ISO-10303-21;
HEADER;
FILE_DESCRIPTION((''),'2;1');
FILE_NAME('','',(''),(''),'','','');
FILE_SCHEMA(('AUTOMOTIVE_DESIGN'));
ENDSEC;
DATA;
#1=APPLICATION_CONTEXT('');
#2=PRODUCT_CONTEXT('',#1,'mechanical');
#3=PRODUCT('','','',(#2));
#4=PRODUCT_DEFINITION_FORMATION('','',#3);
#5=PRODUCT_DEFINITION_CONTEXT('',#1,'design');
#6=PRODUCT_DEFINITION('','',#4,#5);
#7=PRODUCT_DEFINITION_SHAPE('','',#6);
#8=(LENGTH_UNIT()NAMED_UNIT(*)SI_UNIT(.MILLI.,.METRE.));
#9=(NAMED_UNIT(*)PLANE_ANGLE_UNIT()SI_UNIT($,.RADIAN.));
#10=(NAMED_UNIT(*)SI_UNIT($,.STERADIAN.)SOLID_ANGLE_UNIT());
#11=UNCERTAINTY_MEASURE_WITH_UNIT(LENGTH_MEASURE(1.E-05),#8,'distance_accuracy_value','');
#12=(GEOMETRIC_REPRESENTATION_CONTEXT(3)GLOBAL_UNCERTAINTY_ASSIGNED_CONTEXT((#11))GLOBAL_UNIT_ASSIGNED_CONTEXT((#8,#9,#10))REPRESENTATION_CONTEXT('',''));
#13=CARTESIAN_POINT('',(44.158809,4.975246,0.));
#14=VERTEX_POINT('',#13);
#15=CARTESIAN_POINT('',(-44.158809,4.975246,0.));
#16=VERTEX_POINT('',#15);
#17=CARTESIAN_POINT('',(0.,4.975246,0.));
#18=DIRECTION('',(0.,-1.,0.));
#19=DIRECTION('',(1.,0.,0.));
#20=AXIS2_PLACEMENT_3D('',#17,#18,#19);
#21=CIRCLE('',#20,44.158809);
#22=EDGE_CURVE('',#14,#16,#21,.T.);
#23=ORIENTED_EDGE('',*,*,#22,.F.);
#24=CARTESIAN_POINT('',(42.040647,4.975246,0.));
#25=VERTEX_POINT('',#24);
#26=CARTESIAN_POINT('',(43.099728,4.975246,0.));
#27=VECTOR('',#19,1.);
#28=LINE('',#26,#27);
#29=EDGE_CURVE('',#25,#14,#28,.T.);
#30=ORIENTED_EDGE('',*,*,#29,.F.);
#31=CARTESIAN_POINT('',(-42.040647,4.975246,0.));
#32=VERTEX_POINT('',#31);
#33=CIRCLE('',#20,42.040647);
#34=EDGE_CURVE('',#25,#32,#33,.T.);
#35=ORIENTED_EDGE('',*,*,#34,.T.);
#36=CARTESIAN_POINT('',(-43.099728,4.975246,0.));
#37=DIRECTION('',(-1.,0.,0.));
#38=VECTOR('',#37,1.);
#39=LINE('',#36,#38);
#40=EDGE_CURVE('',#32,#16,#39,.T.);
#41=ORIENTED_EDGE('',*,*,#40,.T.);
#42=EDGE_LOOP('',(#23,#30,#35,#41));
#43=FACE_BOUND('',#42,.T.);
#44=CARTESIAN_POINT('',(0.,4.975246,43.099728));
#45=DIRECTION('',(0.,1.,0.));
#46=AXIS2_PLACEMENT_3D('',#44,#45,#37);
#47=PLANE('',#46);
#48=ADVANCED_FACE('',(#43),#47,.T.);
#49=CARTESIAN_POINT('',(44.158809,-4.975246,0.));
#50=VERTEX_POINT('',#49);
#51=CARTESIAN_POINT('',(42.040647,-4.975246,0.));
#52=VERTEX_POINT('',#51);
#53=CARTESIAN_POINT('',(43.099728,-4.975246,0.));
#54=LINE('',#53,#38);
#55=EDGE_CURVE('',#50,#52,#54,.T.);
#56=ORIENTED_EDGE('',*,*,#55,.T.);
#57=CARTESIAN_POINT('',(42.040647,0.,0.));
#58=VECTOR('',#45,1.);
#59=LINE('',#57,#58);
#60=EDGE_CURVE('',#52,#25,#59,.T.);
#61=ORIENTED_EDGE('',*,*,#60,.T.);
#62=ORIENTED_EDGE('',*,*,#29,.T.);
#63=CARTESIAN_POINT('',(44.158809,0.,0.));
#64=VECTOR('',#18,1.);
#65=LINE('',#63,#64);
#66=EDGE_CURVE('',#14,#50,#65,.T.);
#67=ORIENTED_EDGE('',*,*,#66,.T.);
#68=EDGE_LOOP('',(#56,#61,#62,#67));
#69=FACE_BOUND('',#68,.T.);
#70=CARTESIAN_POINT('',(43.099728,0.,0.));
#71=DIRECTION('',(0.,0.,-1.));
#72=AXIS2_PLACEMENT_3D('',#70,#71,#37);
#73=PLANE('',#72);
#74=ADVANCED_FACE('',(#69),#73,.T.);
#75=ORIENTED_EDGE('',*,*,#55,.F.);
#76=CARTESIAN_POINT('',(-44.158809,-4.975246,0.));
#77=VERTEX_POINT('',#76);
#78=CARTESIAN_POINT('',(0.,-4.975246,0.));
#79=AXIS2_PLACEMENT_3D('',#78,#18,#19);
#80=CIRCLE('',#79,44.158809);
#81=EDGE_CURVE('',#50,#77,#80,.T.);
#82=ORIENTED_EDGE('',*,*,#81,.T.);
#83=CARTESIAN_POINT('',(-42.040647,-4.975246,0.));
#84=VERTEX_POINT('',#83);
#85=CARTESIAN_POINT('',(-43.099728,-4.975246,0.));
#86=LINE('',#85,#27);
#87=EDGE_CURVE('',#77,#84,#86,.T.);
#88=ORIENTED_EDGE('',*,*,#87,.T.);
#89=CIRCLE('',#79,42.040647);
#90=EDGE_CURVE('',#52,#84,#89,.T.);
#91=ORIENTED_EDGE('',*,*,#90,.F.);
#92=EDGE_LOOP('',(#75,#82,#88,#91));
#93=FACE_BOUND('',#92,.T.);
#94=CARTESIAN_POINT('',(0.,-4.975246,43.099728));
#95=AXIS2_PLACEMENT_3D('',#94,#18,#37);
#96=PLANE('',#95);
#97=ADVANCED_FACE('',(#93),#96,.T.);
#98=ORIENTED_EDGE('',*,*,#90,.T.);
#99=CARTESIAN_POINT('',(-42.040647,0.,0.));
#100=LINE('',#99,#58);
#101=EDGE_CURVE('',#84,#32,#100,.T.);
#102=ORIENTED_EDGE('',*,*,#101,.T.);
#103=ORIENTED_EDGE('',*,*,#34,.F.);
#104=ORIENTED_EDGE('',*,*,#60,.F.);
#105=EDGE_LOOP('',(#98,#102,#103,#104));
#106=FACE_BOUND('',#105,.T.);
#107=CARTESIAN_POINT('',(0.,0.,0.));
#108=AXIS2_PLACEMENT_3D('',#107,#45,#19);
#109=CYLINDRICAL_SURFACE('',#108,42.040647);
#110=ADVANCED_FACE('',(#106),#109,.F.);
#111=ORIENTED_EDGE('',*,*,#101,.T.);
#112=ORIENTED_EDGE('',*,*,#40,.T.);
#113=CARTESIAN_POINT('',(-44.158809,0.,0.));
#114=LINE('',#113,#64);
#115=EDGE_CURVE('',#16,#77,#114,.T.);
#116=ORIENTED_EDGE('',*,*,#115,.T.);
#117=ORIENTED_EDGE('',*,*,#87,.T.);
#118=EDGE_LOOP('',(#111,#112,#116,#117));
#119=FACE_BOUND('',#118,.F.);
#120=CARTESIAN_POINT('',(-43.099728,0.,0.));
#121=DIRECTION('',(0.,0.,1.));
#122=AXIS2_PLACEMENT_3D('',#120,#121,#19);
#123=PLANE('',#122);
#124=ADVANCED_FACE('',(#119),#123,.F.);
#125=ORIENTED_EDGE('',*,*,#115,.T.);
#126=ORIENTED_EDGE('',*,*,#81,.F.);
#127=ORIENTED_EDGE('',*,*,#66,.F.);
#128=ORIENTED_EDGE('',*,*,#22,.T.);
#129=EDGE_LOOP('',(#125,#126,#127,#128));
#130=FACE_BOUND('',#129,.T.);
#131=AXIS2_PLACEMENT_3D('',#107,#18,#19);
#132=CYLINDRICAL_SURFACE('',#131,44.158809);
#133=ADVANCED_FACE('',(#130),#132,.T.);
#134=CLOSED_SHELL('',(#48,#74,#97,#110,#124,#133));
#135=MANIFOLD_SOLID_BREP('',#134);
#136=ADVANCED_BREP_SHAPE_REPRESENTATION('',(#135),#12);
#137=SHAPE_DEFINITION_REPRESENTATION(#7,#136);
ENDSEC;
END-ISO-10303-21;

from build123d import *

# Parameters (mm, degrees)
F1_W = 2.118163
F1_H = 9.950492


with BuildPart() as f2:
    # F2: sweep along a path in F0
    with BuildLine(Plane.XZ) as f2_path:
        ThreePointArc((43.178614, 0), (0, 43.178614), (-43.178614, 0))
    # F1 (on Top) → F2 (sweep)
    with BuildSketch(Plane.XY):
        with Locations((-43.099728, 0)):
            Rectangle(F1_W, F1_H)
    sweep(path=f2_path.line)


solid = f2.part
